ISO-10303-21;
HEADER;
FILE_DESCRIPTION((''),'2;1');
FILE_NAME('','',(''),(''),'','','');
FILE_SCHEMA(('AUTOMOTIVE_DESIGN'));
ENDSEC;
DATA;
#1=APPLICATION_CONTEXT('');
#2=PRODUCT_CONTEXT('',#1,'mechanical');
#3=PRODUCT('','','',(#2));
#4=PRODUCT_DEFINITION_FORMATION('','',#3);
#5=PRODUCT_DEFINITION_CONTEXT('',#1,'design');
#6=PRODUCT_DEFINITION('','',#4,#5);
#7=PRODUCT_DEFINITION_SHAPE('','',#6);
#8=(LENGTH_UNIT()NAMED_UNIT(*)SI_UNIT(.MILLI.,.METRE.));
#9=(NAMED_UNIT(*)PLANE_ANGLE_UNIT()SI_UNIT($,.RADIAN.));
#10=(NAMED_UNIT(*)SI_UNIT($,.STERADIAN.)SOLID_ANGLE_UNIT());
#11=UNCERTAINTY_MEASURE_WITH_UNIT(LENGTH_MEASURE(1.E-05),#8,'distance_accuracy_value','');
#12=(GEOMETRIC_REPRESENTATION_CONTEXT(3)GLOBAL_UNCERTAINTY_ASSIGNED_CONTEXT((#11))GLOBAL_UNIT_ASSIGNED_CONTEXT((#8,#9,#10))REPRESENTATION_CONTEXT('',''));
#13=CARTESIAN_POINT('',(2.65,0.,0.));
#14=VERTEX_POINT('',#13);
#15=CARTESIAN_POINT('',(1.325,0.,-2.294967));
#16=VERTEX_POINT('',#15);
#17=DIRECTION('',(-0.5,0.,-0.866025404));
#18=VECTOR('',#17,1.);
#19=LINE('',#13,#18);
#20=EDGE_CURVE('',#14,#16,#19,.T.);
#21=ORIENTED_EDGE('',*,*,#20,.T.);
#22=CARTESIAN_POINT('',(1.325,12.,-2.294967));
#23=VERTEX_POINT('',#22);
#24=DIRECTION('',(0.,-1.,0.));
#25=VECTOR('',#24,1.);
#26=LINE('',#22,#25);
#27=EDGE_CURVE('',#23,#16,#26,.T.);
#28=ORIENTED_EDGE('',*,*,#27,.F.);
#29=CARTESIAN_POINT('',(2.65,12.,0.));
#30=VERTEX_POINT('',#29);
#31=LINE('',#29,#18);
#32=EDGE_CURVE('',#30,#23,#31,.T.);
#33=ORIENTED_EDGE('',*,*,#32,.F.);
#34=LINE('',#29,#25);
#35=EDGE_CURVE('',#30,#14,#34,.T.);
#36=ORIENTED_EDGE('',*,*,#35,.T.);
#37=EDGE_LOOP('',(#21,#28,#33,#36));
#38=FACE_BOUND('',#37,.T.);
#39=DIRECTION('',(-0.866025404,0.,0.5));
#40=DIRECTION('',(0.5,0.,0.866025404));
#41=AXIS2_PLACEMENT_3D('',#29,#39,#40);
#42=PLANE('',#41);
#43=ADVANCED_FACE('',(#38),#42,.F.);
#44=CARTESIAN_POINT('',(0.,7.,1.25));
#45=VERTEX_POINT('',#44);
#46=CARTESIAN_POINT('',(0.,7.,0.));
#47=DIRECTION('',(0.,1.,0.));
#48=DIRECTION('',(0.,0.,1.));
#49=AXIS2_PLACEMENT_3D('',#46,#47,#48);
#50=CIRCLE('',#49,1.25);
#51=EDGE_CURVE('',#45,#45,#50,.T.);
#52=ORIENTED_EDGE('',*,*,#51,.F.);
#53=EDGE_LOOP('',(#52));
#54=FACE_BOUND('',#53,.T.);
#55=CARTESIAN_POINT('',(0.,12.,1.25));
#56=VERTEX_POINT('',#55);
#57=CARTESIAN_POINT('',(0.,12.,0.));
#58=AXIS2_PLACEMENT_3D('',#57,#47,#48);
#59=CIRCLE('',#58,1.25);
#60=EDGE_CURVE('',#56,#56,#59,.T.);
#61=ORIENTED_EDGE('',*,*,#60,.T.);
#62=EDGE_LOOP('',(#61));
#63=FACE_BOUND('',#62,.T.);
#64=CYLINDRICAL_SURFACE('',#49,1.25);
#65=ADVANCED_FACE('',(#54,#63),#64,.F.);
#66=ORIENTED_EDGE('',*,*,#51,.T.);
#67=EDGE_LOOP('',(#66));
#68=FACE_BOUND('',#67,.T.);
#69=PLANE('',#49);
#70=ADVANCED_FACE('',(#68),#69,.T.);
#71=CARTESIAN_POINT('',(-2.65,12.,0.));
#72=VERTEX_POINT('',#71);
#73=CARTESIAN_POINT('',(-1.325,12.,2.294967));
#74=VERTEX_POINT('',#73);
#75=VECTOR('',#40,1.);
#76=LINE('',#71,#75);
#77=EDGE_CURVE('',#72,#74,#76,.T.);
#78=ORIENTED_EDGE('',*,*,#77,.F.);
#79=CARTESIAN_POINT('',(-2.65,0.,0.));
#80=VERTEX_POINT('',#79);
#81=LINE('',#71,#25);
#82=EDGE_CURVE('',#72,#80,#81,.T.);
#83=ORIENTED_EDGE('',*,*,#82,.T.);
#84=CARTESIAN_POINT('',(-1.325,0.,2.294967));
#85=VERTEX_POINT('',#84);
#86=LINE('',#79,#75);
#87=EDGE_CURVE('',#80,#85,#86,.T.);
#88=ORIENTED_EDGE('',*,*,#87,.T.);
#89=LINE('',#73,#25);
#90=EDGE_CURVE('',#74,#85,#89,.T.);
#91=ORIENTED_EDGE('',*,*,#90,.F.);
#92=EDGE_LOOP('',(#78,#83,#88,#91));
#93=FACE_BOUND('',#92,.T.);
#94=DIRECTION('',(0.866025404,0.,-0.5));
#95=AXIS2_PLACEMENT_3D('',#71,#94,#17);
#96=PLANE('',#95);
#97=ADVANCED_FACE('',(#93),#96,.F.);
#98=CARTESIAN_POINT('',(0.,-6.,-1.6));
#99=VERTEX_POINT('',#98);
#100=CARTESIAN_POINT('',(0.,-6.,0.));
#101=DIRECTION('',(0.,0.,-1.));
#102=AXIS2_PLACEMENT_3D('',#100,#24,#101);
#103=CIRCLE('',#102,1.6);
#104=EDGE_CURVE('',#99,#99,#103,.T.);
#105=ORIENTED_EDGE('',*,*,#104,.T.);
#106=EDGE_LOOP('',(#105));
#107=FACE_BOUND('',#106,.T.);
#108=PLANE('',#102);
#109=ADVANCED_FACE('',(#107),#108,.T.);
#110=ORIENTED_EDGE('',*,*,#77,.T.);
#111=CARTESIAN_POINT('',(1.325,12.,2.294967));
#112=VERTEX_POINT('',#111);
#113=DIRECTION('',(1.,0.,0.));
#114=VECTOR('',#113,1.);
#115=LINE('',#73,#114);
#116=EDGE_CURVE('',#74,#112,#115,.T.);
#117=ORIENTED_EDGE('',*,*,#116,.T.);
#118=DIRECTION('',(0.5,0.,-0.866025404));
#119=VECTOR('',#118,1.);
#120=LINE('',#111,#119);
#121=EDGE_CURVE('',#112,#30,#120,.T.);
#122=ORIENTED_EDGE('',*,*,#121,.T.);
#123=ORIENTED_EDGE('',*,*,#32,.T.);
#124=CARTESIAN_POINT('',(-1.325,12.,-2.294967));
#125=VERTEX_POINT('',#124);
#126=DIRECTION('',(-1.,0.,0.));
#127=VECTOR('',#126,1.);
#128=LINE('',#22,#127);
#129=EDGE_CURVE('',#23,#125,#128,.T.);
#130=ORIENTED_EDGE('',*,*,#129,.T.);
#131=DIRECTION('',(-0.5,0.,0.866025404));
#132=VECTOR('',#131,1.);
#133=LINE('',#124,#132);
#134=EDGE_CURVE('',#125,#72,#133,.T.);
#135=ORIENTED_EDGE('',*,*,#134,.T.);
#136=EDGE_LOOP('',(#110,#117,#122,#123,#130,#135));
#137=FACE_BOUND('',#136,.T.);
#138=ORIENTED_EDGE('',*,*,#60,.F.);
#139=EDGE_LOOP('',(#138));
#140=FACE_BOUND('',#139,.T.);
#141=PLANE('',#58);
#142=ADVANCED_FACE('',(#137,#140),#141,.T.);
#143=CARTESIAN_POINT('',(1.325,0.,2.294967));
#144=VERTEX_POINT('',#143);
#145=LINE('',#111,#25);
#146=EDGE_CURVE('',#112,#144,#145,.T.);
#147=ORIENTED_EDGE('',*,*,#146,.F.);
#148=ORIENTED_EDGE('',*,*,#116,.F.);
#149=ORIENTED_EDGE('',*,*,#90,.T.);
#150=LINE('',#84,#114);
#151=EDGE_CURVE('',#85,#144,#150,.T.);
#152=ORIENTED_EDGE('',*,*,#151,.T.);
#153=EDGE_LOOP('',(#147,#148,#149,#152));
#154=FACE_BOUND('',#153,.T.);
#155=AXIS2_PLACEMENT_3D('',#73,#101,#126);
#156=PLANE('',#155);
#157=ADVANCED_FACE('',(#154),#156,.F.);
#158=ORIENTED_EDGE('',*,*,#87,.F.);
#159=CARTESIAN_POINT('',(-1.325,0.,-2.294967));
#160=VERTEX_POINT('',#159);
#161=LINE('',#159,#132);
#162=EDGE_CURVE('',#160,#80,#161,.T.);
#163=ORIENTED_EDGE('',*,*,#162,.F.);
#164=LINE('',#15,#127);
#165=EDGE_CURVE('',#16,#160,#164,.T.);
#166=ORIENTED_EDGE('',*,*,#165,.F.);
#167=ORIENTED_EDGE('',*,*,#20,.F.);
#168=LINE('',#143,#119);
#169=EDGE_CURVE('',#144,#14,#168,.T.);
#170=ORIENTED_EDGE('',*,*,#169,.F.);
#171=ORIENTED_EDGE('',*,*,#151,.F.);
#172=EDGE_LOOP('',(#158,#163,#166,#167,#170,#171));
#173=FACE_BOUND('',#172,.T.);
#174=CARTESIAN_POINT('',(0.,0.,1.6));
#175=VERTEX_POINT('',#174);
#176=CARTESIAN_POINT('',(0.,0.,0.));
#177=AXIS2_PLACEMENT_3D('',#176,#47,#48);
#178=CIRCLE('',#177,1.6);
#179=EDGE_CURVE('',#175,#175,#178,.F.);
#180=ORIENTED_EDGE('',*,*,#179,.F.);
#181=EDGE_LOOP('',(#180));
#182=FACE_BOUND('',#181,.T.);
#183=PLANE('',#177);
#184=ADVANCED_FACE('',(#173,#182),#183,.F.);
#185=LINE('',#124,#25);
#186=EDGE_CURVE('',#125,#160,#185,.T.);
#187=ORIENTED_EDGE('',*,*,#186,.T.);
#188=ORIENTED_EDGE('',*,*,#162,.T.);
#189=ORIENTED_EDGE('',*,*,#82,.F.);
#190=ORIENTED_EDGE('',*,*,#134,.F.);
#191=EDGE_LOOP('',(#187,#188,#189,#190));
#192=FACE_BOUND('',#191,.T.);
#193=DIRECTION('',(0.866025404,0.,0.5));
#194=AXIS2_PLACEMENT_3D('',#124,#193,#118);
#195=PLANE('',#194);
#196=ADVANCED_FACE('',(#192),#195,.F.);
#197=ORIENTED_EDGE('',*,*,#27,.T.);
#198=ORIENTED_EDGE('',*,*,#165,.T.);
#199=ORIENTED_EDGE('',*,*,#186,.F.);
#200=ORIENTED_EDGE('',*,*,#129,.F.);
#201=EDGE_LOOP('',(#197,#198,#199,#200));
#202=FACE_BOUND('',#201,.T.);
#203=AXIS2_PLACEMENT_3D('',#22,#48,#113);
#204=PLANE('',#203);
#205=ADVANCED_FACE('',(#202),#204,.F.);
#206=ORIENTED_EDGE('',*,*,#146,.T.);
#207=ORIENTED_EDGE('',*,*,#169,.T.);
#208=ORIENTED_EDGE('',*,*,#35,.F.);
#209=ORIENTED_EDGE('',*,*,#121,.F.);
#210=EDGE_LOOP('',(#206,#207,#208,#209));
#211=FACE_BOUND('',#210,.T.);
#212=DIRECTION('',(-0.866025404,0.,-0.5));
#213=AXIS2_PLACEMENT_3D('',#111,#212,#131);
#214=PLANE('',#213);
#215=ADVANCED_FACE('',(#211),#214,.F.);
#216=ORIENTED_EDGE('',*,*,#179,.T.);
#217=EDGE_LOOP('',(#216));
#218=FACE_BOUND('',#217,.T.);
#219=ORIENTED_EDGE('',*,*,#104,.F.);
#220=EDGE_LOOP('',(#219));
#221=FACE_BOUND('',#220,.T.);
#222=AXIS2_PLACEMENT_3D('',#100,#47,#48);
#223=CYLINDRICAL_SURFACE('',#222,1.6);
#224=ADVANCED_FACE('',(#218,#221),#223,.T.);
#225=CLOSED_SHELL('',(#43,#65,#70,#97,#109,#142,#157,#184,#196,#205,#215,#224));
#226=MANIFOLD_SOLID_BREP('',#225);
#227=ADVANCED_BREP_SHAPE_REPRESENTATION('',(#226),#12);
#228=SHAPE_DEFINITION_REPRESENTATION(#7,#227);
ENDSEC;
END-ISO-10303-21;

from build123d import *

# Parameters (mm, degrees)
EXTRUDE_1_DEPTH     = 12
SKETCH_6_R          = 1.6
EXTRUDE_2_DEPTH     = 6
SKETCH_7_R          = 1.25
CUT_EXTRUDE_1_DEPTH = 5


with BuildPart() as part:
    # 草图4 → 凸台-拉伸1 (new body)
    with BuildSketch(Plane(origin=(0, 0, 0), x_dir=(1, 0, 0), z_dir=(0, 1, 0))):
        Polygon((1.325, -2.29496732), (2.65, 0), (1.325, 2.29496732), (-1.325, 2.29496732), (-2.65, 0), (-1.325, -2.29496732), align=None)
    extrude(amount=EXTRUDE_1_DEPTH)

    # 草图6 → 凸台-拉伸2 (add)
    with BuildSketch(Plane(origin=(0, 0, 0), x_dir=(-1, 0, 0), z_dir=(0, -1, 0))):
        with Locations(Location((0, 0, 0), (0, 0, 270))):
            Circle(SKETCH_6_R)
    extrude(amount=EXTRUDE_2_DEPTH)

    # 草图7 → 切除-拉伸1 (cut)
    with BuildSketch(Plane(origin=(0, 12, 0), x_dir=(1, 0, 0), z_dir=(0, 1, 0))):
        with Locations(Location((0, 0, 0), (0, 0, 270))):
            Circle(SKETCH_7_R)
    extrude(amount=-CUT_EXTRUDE_1_DEPTH, mode=Mode.SUBTRACT)


solid = part.part
